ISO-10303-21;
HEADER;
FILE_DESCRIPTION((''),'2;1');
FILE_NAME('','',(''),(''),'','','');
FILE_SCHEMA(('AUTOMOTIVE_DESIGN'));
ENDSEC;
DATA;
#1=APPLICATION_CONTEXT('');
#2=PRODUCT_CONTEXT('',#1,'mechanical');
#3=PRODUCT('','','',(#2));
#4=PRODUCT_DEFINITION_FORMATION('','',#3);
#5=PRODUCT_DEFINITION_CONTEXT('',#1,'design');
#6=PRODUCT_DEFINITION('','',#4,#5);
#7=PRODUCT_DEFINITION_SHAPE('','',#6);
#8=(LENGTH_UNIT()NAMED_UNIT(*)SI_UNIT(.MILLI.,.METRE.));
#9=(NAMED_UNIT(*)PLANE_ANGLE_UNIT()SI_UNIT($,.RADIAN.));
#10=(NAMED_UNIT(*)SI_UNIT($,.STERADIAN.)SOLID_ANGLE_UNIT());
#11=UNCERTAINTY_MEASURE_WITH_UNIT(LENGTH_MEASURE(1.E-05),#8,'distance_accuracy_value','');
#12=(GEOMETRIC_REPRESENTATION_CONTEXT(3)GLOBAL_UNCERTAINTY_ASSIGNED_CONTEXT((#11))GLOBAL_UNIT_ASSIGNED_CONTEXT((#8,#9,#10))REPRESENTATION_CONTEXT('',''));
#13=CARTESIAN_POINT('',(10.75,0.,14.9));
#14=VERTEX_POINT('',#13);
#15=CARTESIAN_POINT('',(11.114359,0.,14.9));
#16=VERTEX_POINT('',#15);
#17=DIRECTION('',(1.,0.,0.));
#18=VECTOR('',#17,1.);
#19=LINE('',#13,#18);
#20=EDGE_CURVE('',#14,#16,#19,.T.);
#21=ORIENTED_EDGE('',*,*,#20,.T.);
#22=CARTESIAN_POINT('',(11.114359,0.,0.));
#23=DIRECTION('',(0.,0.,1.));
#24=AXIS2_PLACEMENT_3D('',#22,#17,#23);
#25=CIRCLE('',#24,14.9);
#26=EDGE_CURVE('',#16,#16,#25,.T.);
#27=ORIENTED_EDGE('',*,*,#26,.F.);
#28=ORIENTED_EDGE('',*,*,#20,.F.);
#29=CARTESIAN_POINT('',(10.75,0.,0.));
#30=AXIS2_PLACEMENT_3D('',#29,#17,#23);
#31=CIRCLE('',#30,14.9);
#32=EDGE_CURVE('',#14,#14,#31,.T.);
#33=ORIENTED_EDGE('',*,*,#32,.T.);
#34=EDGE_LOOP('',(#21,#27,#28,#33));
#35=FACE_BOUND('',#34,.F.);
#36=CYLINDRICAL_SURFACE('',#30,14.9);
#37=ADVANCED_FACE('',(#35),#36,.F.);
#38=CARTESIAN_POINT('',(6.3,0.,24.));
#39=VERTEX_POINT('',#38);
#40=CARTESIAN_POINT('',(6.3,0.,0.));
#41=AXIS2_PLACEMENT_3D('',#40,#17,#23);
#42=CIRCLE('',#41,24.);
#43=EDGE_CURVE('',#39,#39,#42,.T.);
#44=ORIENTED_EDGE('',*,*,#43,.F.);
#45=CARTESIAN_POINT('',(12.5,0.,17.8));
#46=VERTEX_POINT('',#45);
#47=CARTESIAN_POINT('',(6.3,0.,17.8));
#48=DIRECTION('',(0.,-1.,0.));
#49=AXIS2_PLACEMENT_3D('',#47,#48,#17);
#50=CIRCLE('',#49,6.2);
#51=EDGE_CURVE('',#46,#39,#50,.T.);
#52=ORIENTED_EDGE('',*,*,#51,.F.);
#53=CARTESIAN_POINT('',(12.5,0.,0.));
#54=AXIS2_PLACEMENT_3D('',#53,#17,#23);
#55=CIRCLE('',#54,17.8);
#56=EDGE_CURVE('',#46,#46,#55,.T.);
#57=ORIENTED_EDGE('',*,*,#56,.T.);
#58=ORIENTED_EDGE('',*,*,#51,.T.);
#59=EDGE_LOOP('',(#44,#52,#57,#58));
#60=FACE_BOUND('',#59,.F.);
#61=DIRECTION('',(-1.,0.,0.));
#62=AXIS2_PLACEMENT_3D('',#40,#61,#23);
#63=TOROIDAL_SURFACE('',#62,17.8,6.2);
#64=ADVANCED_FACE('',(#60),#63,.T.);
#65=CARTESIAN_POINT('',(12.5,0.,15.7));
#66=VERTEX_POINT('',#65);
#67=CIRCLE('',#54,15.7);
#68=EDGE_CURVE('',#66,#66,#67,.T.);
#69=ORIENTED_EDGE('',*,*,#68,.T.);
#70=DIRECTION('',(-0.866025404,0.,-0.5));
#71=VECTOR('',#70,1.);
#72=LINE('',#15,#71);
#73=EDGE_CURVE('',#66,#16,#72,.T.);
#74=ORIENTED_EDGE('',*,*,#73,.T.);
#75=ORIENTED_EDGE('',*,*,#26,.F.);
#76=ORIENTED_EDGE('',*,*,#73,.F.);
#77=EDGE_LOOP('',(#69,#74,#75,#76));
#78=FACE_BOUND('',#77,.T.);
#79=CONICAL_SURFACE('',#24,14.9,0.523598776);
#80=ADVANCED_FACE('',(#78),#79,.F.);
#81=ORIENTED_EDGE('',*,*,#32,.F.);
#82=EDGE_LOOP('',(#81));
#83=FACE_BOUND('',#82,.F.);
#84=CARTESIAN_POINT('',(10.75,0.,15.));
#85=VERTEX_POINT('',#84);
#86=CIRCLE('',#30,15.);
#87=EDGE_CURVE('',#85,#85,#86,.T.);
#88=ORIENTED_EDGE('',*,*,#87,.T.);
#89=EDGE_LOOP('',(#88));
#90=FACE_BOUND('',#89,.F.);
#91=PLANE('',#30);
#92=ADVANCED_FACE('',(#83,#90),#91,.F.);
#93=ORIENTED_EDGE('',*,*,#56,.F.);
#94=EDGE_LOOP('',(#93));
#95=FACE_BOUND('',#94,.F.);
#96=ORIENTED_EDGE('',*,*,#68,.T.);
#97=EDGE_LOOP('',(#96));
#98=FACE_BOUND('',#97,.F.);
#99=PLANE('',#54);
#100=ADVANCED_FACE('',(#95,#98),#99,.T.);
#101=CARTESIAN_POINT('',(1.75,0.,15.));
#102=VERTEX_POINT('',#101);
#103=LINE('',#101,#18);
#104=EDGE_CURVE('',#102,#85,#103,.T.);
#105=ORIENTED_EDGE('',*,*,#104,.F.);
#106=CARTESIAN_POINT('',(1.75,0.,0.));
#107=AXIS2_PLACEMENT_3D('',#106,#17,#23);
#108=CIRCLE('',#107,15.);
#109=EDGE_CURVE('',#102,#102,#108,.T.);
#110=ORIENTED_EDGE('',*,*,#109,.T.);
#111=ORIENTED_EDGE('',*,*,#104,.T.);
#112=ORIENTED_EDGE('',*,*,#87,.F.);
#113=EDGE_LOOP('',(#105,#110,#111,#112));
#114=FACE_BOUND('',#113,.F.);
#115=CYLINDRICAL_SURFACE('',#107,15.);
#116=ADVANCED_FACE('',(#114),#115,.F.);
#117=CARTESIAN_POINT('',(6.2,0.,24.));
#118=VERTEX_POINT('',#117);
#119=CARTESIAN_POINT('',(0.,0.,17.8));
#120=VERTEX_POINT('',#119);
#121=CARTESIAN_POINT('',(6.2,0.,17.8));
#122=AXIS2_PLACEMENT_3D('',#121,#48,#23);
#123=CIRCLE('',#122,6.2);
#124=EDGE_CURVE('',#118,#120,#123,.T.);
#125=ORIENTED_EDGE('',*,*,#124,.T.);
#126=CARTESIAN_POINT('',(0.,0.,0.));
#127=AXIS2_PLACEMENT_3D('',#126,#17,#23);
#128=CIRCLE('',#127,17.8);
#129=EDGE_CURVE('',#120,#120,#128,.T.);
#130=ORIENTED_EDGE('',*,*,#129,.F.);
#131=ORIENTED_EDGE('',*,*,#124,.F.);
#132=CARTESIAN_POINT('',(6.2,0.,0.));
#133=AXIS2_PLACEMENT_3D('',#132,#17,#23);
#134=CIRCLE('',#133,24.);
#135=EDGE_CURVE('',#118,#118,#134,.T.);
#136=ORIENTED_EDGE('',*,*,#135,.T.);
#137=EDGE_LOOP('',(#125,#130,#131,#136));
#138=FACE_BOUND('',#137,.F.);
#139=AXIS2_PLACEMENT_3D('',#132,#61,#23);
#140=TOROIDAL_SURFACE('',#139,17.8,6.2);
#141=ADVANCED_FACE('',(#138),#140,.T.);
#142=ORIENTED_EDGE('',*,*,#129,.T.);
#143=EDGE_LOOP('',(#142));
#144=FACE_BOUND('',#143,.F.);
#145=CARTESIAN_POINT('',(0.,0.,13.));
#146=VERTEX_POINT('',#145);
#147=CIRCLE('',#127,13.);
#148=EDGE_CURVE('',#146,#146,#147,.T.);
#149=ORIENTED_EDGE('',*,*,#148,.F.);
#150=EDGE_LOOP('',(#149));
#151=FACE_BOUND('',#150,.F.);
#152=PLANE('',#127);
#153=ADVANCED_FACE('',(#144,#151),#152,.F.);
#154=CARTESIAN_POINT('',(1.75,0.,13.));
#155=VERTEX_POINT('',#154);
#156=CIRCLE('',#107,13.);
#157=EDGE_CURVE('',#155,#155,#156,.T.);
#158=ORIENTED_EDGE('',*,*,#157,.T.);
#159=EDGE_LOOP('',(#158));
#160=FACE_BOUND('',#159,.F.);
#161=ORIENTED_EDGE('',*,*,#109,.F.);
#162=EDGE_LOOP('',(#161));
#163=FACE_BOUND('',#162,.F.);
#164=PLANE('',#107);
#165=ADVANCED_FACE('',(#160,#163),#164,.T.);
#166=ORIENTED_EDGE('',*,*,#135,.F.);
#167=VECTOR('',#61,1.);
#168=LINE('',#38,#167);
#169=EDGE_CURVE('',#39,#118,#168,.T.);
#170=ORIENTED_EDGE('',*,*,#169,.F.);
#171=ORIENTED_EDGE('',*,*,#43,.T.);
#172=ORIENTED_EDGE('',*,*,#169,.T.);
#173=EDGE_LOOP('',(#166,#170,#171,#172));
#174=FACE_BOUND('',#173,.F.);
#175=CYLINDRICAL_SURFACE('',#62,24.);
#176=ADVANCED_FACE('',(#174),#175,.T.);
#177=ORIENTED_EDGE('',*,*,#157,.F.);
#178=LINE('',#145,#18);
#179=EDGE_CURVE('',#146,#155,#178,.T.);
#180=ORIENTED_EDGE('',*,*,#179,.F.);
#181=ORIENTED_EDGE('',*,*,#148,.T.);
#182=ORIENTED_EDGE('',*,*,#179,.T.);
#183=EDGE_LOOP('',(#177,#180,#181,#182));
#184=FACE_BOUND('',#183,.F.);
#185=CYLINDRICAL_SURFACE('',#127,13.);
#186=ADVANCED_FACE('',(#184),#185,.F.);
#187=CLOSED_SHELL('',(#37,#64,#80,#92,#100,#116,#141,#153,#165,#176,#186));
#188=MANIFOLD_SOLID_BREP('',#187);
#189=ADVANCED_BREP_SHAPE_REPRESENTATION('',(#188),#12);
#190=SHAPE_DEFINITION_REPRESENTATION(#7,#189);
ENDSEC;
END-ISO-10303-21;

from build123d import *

# Parameters (mm, degrees)
F2_SIZE2 = 1.3856406461
F2_SIZE  = 0.8


with BuildPart() as f1:
    # F0 (on Front) → F1 (revolve)
    with BuildSketch(Plane.XZ):
        with BuildLine():
            Line((6.3, 24), (6.2, 24))
            ThreePointArc((6.2, 24), (1.8159379566, 22.1840620434), (0, 17.8))
            Line((0, 17.8), (0, 13))
            Line((0, 13), (1.75, 13))
            Line((1.75, 13), (1.75, 15))
            Line((1.75, 15), (10.75, 15))
            Line((10.75, 15), (10.75, 14.9))
            Line((10.75, 14.9), (12.5, 14.9))
            Line((12.5, 14.9), (12.5, 17.8))
            ThreePointArc((12.5, 17.8), (10.6840620434, 22.1840620434), (6.3, 24))
        make_face()
    revolve(axis=Axis((16.1859672517, 0, 0), (1, 0, 0)))

    # F2
    f2_edges = [f1.edges().sort_by_distance(p)[0] for p in [
        (12.5, 0, -14.9),
    ]]
    f2_side = f1.faces().sort_by_distance((12.5, 0, -15.40346))[0]
    chamfer(f2_edges, length=F2_SIZE, length2=F2_SIZE2, reference=f2_side)


solid = f1.part
